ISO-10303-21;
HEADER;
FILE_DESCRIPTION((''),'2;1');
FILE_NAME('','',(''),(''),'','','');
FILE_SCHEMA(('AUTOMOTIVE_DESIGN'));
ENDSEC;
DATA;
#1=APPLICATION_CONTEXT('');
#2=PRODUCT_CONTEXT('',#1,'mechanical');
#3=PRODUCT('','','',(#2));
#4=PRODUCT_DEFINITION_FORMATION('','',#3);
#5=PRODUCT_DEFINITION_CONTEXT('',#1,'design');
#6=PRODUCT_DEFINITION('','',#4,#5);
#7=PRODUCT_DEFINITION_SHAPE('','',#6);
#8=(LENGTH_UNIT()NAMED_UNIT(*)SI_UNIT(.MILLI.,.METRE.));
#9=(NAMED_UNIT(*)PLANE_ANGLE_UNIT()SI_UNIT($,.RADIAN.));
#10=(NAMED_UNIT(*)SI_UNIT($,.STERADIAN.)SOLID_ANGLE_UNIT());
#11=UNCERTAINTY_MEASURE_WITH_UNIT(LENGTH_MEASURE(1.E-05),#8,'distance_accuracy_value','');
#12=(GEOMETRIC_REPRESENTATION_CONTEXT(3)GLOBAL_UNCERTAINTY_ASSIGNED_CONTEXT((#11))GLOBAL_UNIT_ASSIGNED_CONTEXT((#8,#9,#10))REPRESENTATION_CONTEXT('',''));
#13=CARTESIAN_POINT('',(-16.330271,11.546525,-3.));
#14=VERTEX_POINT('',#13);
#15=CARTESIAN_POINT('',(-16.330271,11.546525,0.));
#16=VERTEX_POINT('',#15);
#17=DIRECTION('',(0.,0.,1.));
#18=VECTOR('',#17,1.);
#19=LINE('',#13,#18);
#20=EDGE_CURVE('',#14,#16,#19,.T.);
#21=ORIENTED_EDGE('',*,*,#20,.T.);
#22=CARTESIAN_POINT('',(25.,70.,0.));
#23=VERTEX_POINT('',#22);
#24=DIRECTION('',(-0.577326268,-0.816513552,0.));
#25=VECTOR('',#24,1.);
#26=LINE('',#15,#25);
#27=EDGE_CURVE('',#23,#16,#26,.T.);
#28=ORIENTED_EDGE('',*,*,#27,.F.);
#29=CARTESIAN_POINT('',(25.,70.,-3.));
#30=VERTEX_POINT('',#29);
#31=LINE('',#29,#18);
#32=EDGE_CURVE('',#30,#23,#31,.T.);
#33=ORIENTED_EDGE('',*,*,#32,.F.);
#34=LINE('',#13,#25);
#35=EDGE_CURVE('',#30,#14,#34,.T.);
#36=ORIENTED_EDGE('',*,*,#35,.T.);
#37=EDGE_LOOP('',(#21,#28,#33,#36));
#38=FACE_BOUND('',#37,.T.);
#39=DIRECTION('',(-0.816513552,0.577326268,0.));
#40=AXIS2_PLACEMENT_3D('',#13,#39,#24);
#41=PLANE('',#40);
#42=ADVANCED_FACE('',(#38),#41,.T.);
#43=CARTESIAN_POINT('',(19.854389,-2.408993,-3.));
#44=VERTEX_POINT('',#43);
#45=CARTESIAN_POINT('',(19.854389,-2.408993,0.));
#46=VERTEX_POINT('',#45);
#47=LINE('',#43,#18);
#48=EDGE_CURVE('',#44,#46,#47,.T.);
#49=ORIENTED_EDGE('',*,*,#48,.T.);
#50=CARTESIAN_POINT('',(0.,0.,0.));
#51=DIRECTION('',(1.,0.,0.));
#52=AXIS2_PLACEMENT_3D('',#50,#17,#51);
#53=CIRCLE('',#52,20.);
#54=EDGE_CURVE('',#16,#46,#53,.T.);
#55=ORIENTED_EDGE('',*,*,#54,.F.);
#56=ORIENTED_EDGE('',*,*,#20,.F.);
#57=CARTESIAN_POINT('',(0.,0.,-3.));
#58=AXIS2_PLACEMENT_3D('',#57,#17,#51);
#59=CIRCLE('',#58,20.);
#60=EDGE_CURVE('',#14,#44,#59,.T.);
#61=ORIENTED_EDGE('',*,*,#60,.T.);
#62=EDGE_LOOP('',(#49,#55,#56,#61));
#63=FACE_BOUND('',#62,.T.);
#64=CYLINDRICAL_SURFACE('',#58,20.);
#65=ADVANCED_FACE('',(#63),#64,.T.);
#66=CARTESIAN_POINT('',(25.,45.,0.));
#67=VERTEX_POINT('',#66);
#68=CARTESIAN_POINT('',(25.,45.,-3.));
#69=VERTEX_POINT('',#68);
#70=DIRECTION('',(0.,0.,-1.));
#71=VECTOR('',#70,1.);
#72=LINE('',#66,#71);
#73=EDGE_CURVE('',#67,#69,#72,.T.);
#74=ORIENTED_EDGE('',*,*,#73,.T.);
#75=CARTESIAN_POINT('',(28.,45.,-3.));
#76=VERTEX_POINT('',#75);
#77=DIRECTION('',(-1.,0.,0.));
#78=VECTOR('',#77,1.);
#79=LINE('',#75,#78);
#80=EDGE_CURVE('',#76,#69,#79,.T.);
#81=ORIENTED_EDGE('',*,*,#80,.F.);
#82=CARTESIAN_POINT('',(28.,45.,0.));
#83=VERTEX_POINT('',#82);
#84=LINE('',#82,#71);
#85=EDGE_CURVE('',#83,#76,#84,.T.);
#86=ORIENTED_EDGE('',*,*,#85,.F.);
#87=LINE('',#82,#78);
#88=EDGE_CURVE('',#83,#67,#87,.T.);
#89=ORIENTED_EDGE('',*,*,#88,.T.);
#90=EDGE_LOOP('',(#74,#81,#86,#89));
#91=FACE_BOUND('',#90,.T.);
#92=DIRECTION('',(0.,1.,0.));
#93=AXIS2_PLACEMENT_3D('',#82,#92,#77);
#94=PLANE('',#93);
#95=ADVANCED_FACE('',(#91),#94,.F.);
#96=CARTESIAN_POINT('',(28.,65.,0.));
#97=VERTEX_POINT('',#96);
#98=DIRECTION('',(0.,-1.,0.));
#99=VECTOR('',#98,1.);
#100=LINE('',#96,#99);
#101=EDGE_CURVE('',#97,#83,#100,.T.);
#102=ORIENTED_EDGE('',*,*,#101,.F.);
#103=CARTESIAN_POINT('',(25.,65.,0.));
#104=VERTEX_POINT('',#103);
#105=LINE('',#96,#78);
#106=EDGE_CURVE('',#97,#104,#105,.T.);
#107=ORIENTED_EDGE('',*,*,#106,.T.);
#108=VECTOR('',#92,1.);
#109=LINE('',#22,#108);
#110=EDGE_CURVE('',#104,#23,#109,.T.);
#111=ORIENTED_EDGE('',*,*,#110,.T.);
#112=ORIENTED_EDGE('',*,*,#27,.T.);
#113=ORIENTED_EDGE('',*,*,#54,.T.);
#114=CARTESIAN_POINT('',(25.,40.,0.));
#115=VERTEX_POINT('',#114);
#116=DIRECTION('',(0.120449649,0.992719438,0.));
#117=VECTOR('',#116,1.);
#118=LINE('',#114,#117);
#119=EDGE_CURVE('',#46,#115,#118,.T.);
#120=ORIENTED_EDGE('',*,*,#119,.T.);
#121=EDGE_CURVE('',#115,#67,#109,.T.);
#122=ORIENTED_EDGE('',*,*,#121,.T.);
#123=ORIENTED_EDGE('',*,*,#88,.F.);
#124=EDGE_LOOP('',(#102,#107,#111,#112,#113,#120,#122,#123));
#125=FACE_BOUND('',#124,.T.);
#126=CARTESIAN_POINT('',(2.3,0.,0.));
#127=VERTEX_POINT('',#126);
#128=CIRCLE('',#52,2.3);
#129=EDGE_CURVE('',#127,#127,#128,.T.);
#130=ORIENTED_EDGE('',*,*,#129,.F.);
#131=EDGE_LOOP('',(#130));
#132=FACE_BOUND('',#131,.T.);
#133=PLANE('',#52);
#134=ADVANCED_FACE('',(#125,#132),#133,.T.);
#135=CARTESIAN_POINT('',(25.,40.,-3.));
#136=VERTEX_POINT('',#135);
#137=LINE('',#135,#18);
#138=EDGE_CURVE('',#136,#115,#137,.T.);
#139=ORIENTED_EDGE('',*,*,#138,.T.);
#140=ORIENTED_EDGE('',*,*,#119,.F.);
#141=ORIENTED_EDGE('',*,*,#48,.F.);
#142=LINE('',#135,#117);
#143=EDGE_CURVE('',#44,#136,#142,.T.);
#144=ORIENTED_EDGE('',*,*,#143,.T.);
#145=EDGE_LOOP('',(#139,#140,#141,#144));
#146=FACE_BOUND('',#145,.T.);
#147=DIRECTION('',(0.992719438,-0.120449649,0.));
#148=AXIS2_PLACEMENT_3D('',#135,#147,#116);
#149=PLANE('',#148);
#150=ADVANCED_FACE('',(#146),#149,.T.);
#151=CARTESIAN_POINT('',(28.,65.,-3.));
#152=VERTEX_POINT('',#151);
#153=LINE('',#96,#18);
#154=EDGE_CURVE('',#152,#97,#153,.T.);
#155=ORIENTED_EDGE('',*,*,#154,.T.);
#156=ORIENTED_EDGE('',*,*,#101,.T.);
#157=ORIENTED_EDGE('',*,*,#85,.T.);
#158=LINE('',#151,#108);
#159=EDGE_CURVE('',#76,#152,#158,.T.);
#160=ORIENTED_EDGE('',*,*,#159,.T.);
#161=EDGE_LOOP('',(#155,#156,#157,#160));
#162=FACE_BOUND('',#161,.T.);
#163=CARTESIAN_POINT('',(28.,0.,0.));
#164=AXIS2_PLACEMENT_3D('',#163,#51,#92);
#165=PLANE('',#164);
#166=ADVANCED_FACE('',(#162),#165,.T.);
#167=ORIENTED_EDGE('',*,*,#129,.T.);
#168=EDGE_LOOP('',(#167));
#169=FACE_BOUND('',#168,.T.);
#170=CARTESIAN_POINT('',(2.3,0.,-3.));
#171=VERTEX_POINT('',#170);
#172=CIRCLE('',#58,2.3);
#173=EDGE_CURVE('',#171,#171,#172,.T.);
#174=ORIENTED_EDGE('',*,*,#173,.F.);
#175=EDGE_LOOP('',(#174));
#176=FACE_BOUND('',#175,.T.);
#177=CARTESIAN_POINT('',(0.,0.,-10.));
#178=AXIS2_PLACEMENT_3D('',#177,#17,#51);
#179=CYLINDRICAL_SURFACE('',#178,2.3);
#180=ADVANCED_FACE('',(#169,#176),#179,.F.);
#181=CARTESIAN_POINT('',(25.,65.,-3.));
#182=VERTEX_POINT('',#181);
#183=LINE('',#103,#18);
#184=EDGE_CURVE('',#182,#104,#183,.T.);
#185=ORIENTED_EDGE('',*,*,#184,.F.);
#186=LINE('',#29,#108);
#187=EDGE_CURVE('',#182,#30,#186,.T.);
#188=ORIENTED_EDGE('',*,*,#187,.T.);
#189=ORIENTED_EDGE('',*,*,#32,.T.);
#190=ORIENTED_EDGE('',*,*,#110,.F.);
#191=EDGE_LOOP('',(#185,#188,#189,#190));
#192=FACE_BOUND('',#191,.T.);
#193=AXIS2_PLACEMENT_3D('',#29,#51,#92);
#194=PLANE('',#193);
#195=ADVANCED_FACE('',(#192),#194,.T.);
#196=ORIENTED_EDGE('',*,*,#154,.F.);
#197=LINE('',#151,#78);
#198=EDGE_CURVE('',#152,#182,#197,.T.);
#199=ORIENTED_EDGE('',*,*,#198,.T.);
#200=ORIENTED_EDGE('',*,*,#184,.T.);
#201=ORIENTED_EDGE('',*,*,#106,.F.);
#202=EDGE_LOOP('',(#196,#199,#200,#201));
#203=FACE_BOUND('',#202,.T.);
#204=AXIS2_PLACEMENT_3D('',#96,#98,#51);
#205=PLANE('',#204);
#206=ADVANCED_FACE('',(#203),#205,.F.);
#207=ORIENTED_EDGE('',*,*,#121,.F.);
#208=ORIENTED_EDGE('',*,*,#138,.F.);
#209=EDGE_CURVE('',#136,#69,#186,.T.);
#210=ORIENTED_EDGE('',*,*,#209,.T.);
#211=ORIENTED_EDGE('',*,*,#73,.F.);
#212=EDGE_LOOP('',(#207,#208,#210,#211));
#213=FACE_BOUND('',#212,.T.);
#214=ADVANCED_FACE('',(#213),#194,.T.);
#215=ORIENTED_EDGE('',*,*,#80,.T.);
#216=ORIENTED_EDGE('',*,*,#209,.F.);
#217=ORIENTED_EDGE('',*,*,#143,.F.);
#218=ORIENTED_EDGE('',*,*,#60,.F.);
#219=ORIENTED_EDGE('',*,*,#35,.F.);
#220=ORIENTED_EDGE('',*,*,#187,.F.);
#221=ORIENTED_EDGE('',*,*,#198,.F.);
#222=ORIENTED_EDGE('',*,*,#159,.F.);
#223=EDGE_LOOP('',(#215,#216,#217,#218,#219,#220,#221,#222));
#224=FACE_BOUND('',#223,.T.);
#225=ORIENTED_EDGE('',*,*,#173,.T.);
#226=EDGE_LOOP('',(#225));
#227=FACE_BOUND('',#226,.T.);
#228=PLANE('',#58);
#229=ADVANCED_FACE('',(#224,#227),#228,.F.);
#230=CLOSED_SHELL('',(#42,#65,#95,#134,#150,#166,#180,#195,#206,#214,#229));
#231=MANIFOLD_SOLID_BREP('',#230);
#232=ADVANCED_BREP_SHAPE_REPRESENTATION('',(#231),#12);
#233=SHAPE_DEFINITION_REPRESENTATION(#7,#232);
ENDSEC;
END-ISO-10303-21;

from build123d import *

# Parameters (mm, degrees)
BOSS_EXTRUDE1_DEPTH = 3
SKETCH2_R           = 2.3
CUT_EXTRUDE1_DEPTH  = 10
SKETCH4_W           = 3
SKETCH4_H           = 20
BOSS_EXTRUDE3_DEPTH = 3


with BuildPart() as part:
    # Sketch1 → Boss-Extrude1 (new body)
    with BuildSketch(Plane.XY):
        with BuildLine():
            Line((-16.33027103, 11.546525368), (25, 70))
            Line((25, 70), (25, 40))
            Line((25, 40), (19.854388756, -2.408992972))
            ThreePointArc((19.854388756, -2.408992972), (-7.196803073, -18.660279353), (-16.33027103, 11.546525368))
        make_face()
    extrude(amount=-BOSS_EXTRUDE1_DEPTH)

    # Sketch2 → Cut-Extrude1 (cut)
    with BuildSketch(Plane.XY):
        Circle(SKETCH2_R)
    extrude(amount=-CUT_EXTRUDE1_DEPTH, mode=Mode.SUBTRACT)

    # Sketch4 → Boss-Extrude3 (add)
    with BuildSketch(Plane(origin=(25, 0, 0), x_dir=(0, 0, -1), z_dir=(1, 0, 0))):
        with Locations((1.5, 55)):
            Rectangle(SKETCH4_W, SKETCH4_H)
    extrude(amount=BOSS_EXTRUDE3_DEPTH)


solid = part.part
